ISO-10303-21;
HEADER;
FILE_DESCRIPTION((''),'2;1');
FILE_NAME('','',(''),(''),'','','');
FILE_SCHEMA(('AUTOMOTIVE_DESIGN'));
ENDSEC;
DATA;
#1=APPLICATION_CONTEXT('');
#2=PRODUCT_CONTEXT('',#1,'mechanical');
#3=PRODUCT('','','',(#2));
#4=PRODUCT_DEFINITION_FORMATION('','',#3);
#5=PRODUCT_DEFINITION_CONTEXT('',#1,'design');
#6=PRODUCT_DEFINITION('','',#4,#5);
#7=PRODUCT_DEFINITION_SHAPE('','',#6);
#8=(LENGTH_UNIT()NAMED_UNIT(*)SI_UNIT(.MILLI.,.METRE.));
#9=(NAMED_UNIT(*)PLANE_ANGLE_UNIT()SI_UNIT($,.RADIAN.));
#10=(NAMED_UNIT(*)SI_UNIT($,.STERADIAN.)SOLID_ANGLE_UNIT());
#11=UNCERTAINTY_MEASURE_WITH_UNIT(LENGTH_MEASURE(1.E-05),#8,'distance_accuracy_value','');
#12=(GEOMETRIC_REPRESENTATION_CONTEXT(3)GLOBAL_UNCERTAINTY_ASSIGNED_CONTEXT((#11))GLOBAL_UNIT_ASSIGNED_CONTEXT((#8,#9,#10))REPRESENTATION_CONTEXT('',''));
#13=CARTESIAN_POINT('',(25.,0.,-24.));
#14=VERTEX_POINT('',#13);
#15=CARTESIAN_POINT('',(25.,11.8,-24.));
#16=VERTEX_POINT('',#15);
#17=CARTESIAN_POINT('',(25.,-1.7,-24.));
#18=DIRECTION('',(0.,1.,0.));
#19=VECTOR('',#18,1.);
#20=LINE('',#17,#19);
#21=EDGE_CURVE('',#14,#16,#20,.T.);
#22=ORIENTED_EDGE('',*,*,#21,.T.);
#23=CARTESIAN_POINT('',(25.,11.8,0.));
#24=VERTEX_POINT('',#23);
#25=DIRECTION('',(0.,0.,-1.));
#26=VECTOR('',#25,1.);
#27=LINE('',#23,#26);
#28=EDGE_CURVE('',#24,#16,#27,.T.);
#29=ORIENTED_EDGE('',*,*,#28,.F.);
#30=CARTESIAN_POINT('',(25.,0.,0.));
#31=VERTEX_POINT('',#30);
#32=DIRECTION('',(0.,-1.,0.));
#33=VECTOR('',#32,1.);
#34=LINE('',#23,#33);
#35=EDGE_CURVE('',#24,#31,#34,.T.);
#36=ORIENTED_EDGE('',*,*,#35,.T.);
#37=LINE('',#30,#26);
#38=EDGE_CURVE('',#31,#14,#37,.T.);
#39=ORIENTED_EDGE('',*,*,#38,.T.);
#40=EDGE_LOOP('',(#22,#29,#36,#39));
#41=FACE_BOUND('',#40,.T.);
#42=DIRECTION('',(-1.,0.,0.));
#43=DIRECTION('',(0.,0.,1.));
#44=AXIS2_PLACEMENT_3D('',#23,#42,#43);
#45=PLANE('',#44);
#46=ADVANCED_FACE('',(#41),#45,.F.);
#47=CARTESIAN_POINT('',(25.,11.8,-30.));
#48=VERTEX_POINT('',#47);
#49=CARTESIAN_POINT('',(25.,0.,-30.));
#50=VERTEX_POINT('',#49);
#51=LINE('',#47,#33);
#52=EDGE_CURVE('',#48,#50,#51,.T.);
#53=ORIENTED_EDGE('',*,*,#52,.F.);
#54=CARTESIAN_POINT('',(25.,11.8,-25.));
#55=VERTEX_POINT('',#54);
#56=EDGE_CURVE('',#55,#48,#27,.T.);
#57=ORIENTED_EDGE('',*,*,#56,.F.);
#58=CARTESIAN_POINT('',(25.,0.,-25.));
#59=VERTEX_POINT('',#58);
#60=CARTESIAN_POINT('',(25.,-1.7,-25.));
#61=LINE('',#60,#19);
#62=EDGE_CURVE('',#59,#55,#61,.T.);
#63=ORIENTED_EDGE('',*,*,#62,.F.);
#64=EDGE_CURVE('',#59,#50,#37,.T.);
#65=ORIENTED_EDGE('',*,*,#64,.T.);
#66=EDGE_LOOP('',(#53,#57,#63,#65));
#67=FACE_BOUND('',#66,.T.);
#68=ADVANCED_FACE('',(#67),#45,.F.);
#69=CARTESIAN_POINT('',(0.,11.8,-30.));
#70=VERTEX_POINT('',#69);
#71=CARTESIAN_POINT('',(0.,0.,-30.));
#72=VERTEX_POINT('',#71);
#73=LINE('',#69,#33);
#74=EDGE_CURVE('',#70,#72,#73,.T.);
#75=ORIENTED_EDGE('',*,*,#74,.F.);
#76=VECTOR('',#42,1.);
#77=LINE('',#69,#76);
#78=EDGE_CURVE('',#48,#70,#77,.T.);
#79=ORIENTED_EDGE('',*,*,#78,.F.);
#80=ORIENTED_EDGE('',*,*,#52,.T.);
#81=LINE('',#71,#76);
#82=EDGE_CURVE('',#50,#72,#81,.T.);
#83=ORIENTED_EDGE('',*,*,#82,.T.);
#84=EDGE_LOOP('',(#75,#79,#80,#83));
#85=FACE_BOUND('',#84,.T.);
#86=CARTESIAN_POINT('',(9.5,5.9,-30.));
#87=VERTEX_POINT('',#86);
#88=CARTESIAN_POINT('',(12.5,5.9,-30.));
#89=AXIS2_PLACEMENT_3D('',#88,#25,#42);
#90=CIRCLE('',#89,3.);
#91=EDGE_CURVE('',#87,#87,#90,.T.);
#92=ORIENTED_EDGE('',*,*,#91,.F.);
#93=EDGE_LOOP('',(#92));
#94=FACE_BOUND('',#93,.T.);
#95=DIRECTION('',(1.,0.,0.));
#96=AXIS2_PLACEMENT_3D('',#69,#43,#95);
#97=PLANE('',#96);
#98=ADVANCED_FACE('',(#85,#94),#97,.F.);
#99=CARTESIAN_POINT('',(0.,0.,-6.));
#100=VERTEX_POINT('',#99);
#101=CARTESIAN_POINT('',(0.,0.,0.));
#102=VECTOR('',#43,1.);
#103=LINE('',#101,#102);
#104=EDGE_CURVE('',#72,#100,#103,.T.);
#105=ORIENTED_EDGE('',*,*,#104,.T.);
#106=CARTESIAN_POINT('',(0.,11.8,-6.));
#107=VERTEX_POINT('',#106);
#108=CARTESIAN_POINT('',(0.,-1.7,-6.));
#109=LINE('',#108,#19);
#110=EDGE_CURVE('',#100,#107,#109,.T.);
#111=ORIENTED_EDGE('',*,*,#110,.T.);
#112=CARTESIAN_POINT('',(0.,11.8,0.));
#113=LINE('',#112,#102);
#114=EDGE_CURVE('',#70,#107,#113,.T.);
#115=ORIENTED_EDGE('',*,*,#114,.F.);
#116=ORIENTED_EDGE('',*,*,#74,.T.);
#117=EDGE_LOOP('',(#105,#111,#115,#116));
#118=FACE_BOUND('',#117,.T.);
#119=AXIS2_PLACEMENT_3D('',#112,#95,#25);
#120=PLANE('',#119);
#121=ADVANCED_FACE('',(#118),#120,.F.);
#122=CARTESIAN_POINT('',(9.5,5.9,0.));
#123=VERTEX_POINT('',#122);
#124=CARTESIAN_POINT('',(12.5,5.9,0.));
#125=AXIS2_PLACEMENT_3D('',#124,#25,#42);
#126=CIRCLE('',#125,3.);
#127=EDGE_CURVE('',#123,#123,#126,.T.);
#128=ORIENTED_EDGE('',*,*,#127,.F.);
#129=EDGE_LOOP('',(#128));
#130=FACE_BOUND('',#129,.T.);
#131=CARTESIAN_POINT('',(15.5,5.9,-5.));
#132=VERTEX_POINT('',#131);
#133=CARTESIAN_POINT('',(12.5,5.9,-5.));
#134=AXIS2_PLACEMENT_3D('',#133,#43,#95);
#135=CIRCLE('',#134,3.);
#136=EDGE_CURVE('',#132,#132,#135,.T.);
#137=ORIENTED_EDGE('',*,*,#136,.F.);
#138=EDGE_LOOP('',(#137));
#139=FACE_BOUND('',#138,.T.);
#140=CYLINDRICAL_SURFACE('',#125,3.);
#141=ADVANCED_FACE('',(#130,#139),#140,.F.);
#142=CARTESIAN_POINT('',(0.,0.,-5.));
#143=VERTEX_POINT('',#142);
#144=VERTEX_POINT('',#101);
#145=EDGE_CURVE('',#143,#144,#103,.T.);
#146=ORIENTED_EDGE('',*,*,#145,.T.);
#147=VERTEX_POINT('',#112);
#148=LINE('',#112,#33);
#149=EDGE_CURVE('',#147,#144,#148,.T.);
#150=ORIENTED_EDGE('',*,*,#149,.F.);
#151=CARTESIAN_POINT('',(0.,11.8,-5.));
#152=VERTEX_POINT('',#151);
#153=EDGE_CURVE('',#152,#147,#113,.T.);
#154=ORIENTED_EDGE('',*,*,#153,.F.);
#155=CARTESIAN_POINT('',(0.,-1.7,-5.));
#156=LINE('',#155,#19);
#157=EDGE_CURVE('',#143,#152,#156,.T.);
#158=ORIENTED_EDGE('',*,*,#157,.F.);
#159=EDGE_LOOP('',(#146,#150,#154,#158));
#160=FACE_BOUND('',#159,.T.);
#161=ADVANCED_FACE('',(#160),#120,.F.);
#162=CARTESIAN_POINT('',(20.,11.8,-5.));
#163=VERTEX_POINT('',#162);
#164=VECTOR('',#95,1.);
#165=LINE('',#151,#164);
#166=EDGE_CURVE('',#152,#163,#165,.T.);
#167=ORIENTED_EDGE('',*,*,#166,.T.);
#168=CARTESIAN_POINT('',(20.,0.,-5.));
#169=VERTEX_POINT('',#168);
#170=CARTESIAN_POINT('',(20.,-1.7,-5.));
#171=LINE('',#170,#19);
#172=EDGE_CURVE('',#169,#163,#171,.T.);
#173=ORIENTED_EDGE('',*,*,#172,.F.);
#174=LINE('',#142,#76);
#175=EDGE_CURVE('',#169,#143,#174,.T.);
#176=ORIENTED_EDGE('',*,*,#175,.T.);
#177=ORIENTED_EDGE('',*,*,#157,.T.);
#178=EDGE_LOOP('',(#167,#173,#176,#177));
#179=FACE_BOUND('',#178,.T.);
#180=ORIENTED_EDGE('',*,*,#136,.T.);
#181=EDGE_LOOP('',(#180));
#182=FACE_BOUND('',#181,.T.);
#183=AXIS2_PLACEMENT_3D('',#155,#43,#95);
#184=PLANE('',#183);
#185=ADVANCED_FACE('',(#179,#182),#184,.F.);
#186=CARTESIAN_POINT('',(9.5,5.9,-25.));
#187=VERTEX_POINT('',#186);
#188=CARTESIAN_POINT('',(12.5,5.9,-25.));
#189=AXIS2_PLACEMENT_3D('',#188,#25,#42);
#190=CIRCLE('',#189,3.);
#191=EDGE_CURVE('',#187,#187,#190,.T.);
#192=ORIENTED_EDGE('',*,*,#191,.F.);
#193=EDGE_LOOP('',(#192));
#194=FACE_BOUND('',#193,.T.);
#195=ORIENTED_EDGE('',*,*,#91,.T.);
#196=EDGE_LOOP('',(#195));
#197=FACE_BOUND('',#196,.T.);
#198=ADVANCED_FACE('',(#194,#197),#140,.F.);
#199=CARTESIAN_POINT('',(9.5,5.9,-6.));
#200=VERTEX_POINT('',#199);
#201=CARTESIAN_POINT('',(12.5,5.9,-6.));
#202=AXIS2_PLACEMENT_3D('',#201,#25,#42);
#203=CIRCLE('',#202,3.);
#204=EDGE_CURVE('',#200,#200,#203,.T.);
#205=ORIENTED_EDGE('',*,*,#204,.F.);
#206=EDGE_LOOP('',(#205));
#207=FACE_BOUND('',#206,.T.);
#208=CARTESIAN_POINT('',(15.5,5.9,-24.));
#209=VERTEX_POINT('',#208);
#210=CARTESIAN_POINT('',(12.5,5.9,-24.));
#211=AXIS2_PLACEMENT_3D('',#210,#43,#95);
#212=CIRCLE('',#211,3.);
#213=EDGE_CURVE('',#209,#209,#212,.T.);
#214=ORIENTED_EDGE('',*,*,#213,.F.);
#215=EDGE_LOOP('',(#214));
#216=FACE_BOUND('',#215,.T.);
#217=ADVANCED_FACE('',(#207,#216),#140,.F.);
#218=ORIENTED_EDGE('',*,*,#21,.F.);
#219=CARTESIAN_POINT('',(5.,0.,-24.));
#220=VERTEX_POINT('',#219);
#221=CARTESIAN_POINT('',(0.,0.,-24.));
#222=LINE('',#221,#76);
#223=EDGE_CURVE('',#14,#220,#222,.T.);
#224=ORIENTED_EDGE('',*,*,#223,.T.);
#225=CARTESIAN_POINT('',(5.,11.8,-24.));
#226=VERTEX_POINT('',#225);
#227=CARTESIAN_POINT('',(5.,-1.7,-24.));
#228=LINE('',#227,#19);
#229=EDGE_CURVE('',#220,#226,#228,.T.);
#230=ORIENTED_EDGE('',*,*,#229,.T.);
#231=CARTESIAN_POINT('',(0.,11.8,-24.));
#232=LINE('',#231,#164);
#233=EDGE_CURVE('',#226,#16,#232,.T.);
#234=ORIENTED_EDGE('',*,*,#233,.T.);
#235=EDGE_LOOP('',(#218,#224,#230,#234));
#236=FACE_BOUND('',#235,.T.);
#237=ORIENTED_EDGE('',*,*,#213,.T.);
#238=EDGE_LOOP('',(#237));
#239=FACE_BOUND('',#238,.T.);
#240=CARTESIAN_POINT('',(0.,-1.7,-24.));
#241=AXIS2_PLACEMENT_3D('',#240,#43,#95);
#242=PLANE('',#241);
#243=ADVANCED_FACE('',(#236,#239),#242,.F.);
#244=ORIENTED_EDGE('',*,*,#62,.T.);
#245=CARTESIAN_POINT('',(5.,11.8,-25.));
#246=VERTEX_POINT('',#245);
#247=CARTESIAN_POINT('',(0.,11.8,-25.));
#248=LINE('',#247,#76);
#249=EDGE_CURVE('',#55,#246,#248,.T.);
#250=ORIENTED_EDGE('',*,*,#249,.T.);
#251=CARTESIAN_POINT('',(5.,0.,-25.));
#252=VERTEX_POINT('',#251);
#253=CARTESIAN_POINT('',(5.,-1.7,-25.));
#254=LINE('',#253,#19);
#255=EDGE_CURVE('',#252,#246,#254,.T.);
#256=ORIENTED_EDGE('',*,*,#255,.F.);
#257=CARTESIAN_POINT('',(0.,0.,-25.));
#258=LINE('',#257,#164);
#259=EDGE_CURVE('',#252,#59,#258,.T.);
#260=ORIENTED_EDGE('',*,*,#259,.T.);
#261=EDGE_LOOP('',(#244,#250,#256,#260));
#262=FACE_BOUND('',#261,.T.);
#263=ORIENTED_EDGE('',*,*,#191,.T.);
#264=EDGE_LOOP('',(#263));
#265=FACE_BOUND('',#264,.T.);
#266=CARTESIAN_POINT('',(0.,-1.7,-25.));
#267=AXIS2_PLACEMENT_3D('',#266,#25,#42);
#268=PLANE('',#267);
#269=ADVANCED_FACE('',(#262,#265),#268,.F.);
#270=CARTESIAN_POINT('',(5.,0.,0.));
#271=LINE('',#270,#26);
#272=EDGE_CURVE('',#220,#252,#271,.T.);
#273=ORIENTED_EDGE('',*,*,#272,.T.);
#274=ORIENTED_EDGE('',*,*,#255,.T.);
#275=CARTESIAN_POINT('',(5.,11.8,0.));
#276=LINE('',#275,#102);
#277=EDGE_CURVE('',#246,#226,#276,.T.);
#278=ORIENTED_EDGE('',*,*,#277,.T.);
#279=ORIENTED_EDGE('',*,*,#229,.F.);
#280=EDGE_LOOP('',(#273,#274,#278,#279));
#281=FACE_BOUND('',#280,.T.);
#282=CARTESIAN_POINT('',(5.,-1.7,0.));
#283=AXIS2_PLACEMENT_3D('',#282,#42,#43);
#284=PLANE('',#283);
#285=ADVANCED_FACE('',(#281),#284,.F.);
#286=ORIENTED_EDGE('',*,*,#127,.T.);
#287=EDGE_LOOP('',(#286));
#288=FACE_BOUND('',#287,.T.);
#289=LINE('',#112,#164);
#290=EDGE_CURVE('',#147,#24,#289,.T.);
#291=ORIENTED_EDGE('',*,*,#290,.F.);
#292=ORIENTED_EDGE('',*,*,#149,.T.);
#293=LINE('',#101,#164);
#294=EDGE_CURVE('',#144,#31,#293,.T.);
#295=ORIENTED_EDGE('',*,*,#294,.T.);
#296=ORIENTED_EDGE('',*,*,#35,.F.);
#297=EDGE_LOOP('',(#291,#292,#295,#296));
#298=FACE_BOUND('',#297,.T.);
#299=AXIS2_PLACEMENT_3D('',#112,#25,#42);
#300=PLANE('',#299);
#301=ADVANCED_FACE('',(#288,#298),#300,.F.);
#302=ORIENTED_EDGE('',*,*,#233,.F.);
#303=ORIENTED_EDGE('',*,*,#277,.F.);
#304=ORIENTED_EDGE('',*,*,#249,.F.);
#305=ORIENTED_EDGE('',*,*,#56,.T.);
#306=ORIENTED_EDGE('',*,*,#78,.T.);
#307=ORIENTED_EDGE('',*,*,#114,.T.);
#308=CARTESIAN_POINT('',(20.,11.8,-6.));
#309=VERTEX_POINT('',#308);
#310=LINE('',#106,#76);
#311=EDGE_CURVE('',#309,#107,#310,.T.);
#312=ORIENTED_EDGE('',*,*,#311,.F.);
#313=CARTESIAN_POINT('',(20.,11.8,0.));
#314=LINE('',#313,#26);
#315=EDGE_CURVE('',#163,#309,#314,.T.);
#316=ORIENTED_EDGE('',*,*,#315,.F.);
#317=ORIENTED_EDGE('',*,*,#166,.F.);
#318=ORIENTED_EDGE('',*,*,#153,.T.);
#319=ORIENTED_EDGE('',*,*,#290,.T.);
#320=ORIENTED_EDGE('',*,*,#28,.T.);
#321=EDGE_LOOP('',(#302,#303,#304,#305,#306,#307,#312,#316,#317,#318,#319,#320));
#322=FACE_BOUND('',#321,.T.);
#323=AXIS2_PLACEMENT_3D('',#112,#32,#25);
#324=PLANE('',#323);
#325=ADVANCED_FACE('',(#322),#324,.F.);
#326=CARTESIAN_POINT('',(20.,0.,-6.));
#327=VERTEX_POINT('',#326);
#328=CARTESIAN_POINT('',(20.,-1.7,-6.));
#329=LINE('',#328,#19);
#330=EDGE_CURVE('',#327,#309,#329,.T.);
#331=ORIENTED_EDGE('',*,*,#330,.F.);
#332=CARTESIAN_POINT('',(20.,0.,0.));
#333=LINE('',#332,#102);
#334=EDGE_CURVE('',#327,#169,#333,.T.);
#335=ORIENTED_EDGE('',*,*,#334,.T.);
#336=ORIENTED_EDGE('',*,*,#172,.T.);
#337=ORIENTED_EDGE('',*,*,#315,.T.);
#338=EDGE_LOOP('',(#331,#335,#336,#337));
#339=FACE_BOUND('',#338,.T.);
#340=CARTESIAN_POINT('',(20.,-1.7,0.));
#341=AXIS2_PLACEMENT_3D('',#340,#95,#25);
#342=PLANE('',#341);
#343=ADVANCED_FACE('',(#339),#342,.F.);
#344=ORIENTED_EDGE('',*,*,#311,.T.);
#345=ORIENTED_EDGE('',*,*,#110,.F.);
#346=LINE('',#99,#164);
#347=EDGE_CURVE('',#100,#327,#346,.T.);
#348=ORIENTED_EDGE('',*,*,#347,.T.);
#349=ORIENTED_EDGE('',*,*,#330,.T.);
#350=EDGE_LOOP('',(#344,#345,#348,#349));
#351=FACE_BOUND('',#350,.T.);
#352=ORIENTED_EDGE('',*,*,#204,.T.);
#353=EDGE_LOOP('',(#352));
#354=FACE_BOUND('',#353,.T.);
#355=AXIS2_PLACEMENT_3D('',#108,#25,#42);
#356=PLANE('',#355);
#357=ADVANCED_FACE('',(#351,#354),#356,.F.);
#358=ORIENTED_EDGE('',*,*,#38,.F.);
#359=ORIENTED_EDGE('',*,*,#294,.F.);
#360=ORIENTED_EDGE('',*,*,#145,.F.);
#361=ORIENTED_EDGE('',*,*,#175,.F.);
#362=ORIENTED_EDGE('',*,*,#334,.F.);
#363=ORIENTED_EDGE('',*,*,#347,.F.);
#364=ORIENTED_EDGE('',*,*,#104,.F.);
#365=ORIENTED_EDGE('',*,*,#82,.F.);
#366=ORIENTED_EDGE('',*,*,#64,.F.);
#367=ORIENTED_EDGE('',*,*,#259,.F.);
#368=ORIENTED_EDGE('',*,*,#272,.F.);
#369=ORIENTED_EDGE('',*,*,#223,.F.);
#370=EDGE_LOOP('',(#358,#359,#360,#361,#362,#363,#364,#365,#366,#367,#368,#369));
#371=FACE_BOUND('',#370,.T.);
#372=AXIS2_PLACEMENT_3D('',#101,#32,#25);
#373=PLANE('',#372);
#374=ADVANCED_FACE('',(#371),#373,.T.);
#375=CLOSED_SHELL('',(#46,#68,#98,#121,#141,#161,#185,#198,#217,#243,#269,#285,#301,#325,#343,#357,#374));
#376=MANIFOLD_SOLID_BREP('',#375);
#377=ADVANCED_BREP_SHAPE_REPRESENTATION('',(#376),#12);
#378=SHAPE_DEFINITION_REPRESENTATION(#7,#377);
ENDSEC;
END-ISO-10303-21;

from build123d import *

# Parameters (mm, degrees)
SKETCH_1_W          = 25
SKETCH_1_H          = 30
EXTRUDE_1_DEPTH     = 11.8
SKETCH_2_W          = 20
SKETCH_2_H          = 1
CUT_EXTRUDE_1_DEPTH = 13.5
CUT_EXTRUDE_2_DEPTH = 30


with BuildPart() as part:
    # 草图1 → 凸台-拉伸1 (new body)
    with BuildSketch(Plane(origin=(0, 0, 0), x_dir=(1, 0, 0), z_dir=(0, 1, 0))):
        with Locations((12.5, 15)):
            Rectangle(SKETCH_1_W, SKETCH_1_H)
    extrude(amount=EXTRUDE_1_DEPTH)

    # 草图2 → 切除-拉伸1 (cut)
    with BuildSketch(Plane(origin=(0, 11.8, 0), x_dir=(1, 0, 0), z_dir=(0, 1, 0))):
        with Locations((15, 24.5)):
            Rectangle(SKETCH_2_W, SKETCH_2_H)
        with Locations((10, 5.5)):
            Rectangle(SKETCH_2_W, SKETCH_2_H)
    extrude(amount=-CUT_EXTRUDE_1_DEPTH, mode=Mode.SUBTRACT)

    # 草图3 → 切除-拉伸2 (cut)
    with BuildSketch(Plane(origin=(0, 0, -30), x_dir=(-1, 0, 0), z_dir=(0, 0, -1))):
        with BuildLine():
            ThreePointArc((-9.5, 5.9), (-10.378679656, 8.021320344), (-12.5, 8.9))
            Line((-12.5, 8.9), (-12.5, 2.9))
            ThreePointArc((-12.5, 2.9), (-10.378679656, 3.778679656), (-9.5, 5.9))
        make_face()
        with BuildLine():
            Line((-12.5, 2.9), (-12.5, 8.9))
            ThreePointArc((-12.5, 8.9), (-15.5, 5.9), (-12.5, 2.9))
        make_face()
    extrude(amount=-CUT_EXTRUDE_2_DEPTH, mode=Mode.SUBTRACT)


solid = part.part
